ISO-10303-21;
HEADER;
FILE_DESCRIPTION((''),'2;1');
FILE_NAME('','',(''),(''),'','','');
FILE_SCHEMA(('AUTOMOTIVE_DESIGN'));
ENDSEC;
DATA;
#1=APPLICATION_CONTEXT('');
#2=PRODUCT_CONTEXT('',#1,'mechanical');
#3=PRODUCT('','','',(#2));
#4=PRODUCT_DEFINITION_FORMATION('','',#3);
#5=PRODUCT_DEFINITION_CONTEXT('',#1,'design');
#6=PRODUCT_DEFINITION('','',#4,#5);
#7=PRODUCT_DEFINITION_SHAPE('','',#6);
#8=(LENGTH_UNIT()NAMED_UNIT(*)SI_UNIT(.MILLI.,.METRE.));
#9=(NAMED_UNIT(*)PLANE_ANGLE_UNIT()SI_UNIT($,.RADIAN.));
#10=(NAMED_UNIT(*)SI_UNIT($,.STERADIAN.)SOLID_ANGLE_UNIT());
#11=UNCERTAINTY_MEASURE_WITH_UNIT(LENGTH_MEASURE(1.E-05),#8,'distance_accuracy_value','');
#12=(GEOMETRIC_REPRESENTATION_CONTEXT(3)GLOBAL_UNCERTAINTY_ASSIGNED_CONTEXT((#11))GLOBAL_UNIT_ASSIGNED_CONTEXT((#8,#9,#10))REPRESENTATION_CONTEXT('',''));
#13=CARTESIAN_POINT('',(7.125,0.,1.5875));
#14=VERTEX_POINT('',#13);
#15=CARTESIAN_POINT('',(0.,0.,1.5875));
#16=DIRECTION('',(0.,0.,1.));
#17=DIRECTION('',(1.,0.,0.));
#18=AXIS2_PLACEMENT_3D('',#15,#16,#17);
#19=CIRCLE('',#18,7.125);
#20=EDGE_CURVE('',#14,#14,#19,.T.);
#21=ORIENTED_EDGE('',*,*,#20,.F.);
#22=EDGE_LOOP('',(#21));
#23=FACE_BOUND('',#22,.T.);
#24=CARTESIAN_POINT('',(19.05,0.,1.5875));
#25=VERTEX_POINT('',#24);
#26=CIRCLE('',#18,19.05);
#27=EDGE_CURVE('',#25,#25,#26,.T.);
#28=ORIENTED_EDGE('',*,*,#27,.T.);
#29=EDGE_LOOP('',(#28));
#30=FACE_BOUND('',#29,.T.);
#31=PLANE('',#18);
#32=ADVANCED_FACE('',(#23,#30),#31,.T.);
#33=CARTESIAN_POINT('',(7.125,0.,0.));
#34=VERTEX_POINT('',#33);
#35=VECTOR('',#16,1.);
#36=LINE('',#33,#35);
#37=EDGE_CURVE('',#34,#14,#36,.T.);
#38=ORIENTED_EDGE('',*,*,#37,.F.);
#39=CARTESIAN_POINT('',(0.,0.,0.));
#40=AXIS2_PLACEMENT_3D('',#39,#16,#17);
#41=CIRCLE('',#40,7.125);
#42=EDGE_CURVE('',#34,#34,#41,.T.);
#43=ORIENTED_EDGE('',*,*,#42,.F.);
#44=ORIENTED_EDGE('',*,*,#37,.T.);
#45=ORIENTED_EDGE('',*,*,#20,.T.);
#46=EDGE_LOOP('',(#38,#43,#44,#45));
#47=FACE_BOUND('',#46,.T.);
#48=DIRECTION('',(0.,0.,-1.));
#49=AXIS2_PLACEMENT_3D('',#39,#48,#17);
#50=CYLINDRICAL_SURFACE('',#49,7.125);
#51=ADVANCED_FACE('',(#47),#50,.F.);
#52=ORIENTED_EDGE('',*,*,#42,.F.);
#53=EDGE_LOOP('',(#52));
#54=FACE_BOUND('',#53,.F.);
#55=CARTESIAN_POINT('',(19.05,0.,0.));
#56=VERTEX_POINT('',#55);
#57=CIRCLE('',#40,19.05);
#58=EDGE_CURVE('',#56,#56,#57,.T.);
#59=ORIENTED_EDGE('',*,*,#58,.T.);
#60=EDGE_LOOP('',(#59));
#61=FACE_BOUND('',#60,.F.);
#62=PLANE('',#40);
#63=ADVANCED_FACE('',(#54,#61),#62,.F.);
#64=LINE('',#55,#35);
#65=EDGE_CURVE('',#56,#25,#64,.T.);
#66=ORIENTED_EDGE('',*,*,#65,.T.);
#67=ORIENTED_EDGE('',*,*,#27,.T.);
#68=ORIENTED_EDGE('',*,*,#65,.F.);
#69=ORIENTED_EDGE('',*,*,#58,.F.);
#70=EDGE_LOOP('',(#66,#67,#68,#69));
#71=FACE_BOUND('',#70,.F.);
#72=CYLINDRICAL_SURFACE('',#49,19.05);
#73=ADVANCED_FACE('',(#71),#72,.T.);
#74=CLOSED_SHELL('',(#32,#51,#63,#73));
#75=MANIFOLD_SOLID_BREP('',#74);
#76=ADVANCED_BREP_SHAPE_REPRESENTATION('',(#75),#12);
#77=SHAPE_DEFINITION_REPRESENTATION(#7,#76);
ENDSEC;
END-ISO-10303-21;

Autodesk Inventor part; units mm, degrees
ref_plane "YZ Plane" through (0, 0, 0) normal (1, 0, 0) x (0, 1, 0)
ref_plane "XZ Plane" through (0, 0, 0) normal (0, 1, 0) x (-1, 0, 0)
ref_plane "XY Plane" through (0, 0, 0) normal (0, 0, 1) x (1, 0, 0)
sketch "Sketch1" plane through (0, 0, 0) normal (0, 0, 1) x (1, 0, 0)
  circle A0 centre (0, 0) radius 7.125
  circle A1 centre (0, 0) radius 19.05
  dimension "d13" = 14.25
  dimension "d15" = 38.1
extrude "Extrusion1" add sketch "Sketch1" along normal blind 1.5875
equation "\"d1\" = SpacerLength"
equation "\"SpacerLength\" = 1.5875"
equation "\"HoleDiameter\" = 14.25"
properties part number "1_16spacer" material "ABS Plastic"
